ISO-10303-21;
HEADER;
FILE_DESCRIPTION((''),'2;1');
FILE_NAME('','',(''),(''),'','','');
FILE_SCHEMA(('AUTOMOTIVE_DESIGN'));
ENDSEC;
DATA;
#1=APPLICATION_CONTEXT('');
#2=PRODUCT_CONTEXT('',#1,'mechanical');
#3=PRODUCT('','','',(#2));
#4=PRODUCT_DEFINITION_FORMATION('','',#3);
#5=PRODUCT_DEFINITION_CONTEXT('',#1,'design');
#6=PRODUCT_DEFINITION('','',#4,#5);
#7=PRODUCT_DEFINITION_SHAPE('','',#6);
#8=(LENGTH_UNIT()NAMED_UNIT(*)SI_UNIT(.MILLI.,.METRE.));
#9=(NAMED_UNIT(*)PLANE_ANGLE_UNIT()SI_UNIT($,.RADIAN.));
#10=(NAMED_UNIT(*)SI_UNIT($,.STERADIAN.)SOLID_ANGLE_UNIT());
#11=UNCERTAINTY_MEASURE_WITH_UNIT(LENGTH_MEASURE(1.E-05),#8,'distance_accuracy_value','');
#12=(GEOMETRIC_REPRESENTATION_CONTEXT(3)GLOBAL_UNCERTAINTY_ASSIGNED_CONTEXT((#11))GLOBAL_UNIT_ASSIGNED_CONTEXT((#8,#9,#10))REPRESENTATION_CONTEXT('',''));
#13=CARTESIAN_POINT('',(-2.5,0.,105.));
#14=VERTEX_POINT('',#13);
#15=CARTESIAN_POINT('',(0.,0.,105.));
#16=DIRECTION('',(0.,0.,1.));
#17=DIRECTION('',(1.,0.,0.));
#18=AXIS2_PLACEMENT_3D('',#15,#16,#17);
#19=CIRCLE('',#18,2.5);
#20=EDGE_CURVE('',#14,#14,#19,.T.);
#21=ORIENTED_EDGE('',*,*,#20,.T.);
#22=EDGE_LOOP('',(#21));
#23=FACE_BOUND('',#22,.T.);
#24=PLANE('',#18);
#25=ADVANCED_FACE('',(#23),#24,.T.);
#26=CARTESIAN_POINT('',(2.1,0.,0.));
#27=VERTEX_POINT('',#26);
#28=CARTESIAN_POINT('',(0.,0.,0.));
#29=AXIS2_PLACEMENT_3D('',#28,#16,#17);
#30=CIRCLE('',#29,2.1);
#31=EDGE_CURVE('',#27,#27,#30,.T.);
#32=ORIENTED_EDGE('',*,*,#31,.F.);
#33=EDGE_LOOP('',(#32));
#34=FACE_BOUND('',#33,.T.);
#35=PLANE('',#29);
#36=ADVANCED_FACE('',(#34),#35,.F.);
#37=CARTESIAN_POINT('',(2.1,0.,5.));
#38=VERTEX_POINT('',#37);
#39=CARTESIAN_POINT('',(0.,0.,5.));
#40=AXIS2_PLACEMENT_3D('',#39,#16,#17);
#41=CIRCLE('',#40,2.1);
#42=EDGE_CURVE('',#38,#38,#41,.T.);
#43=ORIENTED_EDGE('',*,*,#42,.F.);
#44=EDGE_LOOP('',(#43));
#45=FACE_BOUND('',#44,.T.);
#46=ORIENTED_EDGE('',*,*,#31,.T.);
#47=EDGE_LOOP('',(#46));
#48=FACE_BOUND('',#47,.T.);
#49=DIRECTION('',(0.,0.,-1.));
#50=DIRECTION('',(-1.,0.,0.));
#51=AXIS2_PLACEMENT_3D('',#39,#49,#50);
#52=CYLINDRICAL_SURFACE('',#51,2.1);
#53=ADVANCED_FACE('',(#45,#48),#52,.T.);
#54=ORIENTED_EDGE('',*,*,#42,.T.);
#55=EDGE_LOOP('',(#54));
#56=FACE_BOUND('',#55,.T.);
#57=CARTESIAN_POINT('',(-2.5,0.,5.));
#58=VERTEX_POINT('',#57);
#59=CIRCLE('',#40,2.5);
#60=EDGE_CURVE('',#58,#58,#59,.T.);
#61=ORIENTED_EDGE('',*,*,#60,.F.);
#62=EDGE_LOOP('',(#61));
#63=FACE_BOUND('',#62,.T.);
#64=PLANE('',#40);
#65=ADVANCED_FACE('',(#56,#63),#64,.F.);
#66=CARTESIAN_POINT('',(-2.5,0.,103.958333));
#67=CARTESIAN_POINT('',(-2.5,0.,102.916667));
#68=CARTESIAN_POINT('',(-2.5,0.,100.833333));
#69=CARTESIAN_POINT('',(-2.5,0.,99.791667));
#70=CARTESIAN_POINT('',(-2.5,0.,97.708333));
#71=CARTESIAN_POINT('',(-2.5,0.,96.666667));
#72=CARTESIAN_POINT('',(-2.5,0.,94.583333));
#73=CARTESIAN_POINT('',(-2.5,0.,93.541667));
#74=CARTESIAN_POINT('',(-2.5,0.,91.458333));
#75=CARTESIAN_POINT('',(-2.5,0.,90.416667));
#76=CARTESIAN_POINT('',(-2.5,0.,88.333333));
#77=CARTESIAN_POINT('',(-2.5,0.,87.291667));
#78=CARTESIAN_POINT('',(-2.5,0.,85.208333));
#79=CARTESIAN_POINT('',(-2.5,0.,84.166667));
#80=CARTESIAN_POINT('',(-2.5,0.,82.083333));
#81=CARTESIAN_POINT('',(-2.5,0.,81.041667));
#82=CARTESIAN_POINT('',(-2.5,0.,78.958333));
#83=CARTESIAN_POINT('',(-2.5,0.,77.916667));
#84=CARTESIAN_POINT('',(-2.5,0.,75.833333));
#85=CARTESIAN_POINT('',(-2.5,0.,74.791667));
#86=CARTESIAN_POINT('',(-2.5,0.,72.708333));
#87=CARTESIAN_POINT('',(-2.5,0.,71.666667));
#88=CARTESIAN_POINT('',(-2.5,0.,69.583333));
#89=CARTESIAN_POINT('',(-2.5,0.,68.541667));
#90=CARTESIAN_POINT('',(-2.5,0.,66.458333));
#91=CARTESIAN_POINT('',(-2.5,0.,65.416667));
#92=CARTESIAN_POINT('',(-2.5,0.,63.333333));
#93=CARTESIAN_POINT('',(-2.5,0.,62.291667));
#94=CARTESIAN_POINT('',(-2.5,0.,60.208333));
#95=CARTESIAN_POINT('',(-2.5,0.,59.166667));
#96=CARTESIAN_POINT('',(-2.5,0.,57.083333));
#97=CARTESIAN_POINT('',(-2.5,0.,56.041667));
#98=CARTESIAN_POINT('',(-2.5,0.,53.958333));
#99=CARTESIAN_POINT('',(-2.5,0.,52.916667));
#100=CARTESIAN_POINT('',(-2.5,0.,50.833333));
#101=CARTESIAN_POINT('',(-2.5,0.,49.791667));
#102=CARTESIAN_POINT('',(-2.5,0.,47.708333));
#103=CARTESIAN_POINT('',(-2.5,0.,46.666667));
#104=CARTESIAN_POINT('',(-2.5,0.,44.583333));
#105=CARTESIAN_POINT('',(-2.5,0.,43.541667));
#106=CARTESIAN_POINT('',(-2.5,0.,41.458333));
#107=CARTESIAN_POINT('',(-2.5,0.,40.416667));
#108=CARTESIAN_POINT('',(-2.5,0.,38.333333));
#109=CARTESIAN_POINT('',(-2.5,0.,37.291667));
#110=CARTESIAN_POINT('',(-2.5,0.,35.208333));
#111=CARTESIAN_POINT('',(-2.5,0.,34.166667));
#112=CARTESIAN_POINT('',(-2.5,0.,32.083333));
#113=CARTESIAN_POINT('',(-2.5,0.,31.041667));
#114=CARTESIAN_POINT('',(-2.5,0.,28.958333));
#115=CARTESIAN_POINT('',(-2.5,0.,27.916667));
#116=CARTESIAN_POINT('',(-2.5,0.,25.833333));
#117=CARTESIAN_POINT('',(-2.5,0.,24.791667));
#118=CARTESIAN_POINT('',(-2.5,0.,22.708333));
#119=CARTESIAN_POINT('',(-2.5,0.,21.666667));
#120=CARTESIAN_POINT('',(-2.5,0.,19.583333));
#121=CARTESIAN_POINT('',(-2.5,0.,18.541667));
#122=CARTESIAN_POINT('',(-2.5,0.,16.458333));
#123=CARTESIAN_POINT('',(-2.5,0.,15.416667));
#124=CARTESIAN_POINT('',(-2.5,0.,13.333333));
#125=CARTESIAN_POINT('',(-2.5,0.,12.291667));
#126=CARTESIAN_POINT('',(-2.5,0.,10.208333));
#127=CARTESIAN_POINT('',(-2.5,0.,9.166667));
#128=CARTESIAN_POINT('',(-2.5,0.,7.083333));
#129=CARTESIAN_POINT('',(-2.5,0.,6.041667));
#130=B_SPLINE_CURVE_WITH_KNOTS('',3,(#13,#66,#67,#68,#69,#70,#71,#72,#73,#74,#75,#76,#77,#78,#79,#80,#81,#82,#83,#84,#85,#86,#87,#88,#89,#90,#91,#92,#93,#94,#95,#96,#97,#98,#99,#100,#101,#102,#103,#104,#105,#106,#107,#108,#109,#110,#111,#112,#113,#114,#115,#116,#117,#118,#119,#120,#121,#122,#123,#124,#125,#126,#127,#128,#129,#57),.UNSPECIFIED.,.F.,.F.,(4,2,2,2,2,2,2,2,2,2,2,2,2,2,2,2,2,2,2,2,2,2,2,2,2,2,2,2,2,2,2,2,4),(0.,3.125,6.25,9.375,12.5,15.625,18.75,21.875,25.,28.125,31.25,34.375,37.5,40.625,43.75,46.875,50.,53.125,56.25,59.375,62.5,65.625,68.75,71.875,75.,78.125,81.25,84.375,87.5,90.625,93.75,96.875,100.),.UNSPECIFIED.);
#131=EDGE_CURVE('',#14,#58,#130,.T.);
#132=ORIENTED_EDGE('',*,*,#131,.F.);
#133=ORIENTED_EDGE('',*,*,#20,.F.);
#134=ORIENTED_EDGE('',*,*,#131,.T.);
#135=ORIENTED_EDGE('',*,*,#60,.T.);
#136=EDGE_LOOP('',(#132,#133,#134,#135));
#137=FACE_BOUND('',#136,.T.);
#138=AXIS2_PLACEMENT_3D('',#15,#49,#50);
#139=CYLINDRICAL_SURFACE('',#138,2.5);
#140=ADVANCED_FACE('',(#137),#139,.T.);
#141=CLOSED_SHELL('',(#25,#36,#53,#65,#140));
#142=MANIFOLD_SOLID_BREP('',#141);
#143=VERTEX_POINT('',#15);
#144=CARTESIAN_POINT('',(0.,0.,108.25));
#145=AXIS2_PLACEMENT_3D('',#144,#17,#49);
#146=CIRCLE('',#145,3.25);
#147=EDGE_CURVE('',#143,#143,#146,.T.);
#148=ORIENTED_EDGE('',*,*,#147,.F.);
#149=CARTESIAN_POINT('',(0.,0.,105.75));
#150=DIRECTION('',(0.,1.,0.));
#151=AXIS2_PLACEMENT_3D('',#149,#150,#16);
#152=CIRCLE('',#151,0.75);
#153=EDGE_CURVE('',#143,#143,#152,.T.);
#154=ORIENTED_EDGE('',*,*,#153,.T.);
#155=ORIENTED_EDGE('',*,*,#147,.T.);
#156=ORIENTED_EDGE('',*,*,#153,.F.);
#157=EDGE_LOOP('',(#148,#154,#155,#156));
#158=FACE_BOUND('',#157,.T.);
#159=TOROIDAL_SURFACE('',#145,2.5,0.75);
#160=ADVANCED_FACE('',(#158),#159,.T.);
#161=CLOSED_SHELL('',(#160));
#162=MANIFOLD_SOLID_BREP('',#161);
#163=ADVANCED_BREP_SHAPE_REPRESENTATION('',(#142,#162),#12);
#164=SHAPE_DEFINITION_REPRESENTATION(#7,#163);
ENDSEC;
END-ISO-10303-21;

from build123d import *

# Parameters (mm, degrees)
SKETCH1_R           = 2.1
BOSS_EXTRUDE1_DEPTH = 5
SKETCH2_R           = 2.5
BOSS_EXTRUDE2_DEPTH = 100
SKETCH6_R           = 0.75


with BuildPart() as part:
    # Sketch1 → Boss-Extrude1 (new body)
    with BuildSketch(Plane.XY):
        Circle(SKETCH1_R)
    extrude(amount=BOSS_EXTRUDE1_DEPTH)

    # Sketch2 → Boss-Extrude2 (add)
    with BuildSketch(Plane.XY.offset(5)):
        with Locations(Location((0, 0, 0), (0, 0, 180))):
            Circle(SKETCH2_R)
    extrude(amount=BOSS_EXTRUDE2_DEPTH)


with BuildPart() as body_2:
    # Sweep1: sweep along a path in Sketch3
    with BuildLine(Plane(origin=(0, 0, 0), x_dir=(0, 0, -1), z_dir=(1, 0, 0))) as sweep1_path:
        CenterArc((-108.25, 0), 2.5, 0, 360)
    # Sketch6 → Sweep1 (sweep)
    with BuildSketch(Plane(origin=(0, 0, 0), x_dir=(1, 0, 0), z_dir=(0, 1, 0))):
        with Locations((0, -105.75)):
            Circle(SKETCH6_R)
    sweep(path=sweep1_path.line)


solid = Compound([part.part, body_2.part])
